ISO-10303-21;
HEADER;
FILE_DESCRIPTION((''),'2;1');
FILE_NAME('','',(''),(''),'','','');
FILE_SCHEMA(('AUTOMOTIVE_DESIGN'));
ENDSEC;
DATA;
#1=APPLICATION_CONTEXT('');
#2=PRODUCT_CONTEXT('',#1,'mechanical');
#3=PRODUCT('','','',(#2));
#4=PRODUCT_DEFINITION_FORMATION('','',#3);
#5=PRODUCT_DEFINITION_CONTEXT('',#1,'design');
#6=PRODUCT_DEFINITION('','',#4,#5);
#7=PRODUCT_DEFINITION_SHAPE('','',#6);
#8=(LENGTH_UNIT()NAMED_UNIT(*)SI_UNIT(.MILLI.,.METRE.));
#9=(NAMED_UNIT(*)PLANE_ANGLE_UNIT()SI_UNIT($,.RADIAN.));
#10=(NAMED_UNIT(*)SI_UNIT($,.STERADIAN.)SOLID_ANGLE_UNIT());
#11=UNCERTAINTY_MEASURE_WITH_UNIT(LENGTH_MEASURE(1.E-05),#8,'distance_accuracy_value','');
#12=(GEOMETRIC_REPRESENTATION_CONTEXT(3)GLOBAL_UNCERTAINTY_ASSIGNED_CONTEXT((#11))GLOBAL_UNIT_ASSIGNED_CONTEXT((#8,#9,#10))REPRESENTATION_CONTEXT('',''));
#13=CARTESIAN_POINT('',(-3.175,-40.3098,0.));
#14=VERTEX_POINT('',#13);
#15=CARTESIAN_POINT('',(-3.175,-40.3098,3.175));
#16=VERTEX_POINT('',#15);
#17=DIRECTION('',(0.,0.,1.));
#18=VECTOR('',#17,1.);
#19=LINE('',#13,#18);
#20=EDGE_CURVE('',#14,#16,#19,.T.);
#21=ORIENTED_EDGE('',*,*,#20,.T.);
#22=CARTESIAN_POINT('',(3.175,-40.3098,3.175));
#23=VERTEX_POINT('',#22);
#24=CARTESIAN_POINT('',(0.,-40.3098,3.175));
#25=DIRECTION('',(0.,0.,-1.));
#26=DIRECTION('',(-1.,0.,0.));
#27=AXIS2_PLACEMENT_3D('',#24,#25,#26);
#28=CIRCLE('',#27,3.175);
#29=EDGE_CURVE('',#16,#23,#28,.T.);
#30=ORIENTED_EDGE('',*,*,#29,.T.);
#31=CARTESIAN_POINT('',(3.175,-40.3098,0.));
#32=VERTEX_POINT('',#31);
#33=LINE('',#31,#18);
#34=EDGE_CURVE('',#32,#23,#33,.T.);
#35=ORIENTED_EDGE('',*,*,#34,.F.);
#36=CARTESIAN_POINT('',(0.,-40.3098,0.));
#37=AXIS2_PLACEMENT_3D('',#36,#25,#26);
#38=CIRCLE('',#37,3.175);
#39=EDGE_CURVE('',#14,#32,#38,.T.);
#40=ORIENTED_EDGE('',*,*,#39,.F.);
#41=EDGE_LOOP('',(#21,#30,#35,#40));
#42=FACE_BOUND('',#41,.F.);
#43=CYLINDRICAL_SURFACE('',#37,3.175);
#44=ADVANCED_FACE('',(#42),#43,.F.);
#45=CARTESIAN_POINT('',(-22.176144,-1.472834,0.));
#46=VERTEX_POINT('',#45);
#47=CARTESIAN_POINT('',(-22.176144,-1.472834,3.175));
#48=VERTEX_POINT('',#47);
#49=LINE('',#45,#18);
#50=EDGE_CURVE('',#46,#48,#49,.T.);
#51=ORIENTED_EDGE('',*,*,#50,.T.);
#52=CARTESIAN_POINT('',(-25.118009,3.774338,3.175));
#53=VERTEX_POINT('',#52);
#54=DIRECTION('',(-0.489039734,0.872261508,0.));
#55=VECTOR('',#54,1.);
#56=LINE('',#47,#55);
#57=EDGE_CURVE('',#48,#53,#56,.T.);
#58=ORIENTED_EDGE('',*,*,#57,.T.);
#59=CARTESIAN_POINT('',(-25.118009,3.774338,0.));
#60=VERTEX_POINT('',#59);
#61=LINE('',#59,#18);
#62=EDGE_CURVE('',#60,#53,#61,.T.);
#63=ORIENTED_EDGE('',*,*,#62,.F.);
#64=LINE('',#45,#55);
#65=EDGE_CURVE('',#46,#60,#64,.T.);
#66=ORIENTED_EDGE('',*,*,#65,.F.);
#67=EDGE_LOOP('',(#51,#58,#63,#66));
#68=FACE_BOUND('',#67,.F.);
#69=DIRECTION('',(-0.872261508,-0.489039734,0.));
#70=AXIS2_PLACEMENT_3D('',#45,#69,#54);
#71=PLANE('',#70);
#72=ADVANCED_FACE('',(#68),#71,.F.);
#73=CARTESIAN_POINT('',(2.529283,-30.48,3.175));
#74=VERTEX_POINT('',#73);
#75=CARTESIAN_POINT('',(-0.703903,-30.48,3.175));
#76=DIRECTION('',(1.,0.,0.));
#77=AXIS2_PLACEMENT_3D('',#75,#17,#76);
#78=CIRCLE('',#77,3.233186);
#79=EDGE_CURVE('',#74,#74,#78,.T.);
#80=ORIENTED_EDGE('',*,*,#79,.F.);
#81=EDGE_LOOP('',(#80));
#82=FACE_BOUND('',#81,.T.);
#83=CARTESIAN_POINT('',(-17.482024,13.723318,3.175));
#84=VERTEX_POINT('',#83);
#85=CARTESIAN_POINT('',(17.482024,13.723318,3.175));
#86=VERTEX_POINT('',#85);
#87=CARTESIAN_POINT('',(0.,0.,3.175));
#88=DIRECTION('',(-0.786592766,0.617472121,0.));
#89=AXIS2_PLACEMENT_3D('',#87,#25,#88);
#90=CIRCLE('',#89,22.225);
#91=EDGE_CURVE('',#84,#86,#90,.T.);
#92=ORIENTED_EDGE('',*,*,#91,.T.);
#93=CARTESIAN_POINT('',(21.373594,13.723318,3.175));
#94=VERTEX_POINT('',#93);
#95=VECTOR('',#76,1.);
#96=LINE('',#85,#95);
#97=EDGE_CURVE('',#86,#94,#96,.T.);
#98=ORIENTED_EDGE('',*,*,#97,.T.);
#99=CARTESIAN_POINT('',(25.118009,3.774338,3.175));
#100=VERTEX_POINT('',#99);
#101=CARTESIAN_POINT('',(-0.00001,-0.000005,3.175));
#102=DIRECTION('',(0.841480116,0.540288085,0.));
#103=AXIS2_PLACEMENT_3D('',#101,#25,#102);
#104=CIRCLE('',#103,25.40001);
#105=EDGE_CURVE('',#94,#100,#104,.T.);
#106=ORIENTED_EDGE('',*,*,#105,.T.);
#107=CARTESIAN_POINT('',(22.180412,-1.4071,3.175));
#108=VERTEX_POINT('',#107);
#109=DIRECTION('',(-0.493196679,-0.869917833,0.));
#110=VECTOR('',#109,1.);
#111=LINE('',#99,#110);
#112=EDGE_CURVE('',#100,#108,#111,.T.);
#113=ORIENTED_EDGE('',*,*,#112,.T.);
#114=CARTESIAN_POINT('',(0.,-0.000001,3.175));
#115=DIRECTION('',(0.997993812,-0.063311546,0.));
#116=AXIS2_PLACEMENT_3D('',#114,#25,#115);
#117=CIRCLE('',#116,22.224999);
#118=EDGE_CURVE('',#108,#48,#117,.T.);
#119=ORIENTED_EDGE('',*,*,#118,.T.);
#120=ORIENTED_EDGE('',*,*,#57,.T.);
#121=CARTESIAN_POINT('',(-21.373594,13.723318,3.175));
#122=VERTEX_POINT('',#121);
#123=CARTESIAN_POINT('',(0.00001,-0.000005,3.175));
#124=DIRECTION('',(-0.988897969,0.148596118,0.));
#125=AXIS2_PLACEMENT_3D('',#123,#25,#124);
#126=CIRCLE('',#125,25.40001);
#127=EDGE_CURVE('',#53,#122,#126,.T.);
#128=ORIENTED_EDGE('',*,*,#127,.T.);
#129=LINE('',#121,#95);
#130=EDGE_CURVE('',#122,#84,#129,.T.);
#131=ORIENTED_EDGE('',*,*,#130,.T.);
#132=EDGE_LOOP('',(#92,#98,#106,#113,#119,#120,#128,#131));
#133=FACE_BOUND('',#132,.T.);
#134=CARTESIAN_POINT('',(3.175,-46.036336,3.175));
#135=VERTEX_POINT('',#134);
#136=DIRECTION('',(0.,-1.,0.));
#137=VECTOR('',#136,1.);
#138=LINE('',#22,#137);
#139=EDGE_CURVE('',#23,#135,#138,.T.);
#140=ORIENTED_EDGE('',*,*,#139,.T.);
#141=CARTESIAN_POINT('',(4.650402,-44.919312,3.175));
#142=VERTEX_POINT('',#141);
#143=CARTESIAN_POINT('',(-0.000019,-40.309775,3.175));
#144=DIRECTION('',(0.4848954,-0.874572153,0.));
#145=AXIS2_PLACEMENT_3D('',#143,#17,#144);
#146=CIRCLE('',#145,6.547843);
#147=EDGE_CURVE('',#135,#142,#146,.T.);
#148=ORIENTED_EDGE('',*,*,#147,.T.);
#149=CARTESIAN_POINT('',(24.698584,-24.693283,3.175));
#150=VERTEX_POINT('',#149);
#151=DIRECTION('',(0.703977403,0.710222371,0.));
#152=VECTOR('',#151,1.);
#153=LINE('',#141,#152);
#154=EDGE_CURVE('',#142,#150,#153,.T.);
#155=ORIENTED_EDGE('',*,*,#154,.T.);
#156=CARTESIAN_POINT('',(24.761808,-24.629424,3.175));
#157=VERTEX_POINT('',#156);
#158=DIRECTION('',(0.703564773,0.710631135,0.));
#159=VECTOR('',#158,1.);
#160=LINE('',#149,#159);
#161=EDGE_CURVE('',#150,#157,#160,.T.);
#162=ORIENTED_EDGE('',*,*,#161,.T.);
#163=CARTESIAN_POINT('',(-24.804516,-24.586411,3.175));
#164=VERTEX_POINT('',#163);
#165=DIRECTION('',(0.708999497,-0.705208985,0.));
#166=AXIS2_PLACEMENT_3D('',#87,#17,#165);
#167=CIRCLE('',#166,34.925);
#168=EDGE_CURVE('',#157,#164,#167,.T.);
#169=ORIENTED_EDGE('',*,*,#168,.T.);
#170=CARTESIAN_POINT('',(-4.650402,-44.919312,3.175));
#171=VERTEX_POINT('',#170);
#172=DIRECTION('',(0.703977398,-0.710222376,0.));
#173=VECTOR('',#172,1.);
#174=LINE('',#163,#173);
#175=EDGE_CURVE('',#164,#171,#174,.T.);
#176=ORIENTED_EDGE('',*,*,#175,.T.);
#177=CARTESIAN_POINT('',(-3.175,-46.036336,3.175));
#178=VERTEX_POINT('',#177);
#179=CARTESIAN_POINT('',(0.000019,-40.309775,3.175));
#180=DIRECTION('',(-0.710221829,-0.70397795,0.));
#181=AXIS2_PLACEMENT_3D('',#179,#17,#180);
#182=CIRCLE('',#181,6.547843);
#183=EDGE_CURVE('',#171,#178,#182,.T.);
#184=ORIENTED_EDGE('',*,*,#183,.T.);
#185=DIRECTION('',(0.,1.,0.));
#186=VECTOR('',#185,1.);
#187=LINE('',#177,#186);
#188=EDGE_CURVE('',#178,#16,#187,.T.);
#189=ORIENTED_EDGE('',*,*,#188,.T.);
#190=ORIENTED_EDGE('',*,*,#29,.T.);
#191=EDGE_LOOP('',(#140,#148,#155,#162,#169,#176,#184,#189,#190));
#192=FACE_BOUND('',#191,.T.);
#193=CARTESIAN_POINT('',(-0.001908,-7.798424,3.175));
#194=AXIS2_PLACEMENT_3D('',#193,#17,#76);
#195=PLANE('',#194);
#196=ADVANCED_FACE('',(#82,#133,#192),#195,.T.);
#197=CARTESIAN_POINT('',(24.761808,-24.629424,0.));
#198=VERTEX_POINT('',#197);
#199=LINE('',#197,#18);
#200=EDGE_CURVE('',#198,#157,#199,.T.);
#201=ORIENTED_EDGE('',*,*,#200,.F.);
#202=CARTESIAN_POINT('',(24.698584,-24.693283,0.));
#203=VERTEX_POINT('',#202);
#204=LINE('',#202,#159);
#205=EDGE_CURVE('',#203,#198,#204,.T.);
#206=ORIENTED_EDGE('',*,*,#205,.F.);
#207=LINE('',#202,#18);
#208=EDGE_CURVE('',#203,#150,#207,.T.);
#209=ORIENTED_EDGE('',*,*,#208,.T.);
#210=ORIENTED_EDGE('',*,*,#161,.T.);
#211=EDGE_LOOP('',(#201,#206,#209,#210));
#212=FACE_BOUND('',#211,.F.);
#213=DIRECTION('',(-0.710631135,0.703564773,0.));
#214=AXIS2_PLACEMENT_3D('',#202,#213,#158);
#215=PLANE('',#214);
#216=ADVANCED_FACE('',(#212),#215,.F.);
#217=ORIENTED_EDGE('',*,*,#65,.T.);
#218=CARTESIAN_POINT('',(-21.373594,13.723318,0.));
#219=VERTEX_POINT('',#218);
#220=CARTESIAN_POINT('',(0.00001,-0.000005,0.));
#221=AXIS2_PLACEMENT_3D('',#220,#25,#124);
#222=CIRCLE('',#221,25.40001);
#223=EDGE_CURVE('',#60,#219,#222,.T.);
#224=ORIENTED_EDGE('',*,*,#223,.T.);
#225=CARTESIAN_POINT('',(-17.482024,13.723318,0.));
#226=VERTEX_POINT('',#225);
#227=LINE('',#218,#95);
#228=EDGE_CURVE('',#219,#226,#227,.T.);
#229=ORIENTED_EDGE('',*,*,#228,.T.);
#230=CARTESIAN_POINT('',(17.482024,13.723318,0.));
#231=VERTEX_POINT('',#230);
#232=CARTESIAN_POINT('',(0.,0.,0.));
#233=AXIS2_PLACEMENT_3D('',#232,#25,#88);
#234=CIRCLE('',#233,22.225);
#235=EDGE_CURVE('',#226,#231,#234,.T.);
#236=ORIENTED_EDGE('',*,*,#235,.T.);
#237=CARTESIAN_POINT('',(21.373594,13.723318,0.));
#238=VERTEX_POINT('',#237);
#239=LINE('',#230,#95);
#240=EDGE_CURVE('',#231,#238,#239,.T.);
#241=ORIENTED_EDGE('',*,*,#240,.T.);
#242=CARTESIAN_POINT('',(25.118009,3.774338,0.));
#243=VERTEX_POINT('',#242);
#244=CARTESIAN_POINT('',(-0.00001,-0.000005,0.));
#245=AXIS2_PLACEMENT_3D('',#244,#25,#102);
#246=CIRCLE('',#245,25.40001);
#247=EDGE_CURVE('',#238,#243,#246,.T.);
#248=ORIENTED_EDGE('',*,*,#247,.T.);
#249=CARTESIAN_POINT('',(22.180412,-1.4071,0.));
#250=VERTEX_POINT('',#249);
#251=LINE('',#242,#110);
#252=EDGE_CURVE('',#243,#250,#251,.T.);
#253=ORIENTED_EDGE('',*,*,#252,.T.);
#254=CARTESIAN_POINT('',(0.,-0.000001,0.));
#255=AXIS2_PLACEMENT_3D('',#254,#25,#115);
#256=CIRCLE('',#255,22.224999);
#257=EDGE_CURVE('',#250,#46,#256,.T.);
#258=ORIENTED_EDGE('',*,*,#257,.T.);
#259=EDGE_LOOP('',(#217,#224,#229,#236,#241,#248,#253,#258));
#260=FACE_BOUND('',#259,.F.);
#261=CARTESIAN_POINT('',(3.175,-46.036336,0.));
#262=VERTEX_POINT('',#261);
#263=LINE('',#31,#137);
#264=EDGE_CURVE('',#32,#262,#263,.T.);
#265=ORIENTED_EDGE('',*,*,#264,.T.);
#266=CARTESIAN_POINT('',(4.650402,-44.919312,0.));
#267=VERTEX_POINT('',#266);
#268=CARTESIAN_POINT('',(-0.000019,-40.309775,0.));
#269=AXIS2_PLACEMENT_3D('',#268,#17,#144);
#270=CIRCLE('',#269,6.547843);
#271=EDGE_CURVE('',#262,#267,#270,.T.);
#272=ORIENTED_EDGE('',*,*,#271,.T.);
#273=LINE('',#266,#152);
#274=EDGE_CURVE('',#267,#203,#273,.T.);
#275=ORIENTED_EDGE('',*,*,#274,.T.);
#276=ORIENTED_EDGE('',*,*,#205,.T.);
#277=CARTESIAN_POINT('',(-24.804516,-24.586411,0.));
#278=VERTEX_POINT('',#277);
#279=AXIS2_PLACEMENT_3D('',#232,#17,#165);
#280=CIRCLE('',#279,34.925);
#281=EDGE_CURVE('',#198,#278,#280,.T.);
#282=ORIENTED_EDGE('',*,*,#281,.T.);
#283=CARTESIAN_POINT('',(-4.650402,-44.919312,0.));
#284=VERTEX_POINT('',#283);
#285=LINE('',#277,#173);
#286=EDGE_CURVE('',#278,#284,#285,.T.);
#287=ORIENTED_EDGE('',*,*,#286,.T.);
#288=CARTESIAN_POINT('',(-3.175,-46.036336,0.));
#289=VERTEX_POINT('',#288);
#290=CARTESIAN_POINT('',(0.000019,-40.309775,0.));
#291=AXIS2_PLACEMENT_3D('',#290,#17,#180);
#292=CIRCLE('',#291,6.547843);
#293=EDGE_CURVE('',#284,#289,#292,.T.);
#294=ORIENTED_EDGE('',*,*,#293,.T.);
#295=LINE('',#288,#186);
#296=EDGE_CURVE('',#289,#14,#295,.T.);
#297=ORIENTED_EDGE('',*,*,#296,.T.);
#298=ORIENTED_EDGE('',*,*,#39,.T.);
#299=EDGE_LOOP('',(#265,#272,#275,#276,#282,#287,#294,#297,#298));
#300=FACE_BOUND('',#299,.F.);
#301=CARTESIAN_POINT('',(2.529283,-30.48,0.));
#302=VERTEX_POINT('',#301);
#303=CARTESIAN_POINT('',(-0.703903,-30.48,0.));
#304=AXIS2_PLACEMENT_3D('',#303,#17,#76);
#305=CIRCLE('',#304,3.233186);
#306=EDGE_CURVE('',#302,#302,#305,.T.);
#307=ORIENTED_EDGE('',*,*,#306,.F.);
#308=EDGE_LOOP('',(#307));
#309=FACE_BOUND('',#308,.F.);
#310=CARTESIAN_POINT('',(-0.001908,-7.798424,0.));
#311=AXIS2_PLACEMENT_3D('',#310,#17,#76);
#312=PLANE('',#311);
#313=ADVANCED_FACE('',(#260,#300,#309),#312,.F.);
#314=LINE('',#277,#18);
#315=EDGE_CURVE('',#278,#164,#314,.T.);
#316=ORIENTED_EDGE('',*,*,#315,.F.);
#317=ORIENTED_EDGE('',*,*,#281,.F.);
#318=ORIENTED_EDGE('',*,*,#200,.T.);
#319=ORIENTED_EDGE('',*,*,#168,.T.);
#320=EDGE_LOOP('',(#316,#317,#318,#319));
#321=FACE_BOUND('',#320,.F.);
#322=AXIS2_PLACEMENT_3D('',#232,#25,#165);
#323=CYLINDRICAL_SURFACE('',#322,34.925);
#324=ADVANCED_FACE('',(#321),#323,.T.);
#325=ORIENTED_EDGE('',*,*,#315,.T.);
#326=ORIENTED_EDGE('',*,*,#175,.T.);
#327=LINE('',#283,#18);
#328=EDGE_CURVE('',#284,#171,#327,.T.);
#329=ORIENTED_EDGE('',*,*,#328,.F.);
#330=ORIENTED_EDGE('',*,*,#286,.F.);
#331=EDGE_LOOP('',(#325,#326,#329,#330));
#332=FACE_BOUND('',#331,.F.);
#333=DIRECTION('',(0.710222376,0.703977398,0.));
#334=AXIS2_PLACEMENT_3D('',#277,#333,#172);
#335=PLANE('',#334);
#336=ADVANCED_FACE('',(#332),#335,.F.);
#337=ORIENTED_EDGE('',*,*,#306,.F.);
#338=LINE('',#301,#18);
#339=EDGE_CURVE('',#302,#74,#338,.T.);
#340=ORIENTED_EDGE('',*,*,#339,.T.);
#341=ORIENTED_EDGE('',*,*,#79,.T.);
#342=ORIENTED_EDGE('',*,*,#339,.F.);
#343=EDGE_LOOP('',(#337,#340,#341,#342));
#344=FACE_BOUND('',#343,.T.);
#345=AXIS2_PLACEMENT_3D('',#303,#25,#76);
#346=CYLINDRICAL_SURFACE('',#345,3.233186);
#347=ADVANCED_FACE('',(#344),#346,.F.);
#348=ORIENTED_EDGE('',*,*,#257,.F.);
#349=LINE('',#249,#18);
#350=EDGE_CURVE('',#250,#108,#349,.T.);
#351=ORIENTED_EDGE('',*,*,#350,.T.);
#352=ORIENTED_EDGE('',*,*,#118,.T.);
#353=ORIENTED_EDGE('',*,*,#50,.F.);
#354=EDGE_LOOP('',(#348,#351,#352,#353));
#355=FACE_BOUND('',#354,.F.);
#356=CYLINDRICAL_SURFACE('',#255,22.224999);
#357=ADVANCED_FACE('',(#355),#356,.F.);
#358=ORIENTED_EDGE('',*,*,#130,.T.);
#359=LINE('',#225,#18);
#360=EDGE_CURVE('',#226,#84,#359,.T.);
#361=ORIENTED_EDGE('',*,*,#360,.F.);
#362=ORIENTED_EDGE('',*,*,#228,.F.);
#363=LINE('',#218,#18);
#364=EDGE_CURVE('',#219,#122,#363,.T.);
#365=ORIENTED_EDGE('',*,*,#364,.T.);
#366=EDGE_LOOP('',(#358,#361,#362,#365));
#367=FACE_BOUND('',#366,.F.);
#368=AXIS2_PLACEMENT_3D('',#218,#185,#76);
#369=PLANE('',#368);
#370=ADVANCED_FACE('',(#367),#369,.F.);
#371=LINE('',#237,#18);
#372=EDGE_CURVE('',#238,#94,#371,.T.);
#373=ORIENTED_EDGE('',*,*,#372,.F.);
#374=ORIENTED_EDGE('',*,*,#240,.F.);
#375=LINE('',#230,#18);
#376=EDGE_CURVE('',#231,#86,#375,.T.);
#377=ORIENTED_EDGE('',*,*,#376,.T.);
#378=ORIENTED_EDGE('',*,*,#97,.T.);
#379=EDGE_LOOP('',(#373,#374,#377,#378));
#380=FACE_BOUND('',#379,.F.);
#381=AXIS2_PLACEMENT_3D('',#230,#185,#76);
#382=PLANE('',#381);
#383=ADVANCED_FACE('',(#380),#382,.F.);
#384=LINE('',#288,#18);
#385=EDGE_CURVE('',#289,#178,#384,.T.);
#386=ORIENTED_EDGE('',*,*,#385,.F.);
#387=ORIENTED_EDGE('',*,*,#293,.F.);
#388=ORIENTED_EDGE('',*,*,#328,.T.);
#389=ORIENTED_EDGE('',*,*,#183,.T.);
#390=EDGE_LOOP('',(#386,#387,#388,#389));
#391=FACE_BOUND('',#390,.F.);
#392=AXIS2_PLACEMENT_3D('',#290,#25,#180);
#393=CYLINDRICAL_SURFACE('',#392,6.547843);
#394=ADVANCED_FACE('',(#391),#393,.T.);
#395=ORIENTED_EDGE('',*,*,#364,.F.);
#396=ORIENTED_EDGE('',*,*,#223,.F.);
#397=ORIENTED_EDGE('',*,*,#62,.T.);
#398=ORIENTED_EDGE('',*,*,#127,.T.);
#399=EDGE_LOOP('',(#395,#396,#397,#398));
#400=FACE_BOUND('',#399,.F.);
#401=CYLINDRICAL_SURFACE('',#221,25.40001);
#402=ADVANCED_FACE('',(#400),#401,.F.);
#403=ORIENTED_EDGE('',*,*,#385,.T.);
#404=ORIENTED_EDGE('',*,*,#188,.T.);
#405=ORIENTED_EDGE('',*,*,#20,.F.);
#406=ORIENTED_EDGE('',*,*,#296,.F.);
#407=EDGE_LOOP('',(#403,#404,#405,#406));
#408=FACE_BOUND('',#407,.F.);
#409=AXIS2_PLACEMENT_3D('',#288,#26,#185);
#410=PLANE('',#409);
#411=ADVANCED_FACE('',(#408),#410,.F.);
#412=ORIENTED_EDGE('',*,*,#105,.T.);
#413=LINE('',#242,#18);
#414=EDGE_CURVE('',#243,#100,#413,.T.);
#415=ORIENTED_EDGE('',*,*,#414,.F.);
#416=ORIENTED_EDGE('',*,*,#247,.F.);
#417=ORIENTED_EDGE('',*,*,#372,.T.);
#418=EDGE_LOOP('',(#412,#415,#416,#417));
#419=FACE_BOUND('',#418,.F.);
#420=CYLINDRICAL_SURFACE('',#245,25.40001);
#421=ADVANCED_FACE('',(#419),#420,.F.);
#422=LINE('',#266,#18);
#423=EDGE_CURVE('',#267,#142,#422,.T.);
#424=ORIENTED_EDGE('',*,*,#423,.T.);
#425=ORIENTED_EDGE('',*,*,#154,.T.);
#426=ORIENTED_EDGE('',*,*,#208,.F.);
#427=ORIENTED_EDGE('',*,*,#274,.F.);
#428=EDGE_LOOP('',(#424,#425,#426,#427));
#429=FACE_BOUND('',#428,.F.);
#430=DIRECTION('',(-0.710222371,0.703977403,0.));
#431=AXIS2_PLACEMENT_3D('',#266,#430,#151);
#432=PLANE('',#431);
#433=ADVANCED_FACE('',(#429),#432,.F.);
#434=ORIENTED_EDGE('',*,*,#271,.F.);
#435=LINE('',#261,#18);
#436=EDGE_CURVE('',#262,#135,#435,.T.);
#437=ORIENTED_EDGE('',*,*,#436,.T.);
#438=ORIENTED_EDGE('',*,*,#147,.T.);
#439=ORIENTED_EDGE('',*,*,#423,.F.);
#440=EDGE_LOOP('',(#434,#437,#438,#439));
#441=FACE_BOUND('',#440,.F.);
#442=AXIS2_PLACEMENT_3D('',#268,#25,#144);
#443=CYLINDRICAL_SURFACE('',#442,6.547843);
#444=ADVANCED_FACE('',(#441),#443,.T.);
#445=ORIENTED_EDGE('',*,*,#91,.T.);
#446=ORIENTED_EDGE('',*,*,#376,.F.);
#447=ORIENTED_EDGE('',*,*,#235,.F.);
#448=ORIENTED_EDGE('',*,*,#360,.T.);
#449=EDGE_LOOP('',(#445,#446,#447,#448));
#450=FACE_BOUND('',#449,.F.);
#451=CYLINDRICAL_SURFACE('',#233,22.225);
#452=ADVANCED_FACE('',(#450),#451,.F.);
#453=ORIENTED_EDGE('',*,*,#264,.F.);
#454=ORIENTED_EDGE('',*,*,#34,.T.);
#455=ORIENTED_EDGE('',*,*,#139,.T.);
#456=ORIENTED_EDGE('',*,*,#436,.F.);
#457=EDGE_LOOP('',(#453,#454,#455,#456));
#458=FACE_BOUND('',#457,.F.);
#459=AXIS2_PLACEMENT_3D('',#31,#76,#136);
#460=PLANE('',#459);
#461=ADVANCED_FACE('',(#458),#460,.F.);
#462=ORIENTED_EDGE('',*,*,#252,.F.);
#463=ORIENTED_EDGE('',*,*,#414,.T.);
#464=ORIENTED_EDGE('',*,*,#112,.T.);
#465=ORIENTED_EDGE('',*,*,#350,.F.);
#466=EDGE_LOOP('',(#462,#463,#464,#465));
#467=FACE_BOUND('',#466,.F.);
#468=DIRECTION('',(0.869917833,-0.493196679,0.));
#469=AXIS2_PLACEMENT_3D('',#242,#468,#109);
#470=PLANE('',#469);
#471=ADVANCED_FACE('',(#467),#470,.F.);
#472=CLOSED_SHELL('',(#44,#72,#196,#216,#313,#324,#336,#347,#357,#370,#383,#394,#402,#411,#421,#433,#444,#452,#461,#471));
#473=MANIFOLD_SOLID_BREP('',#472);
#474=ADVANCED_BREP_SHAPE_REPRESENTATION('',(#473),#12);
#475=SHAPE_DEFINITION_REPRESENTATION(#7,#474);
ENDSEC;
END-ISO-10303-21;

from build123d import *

# Parameters (mm, degrees)
F0_R     = 3.233186
F1_DEPTH = 3.175


with BuildPart() as f1:
    # F0 (on Top) → F1 (new body)
    with BuildSketch(Plane.XY):
        with BuildLine():
            Line((24.698584, -24.693283), (24.761808, -24.629424))
            ThreePointArc((24.761808, -24.629424), (0.030307, 34.924987), (-24.804516, -24.586411))
            Line((-24.804516, -24.586411), (-4.650402, -44.919312))
            ThreePointArc((-4.650402, -44.919312), (-3.952362, -45.530209), (-3.175, -46.036336))
            Line((-3.175, -46.036336), (-3.175, -40.3098))
            ThreePointArc((-3.175, -40.3098), (0, -37.1348), (3.175, -40.3098))
            Line((3.175, -40.3098), (3.175, -46.036336))
            ThreePointArc((3.175, -46.036336), (3.952362, -45.530209), (4.650402, -44.919312))
            Line((4.650402, -44.919312), (24.698584, -24.693283))
        make_face()
        with Locations((-0.703903, -30.48)):
            Circle(F0_R, mode=Mode.SUBTRACT)
        with BuildLine():
            ThreePointArc((22.180412, -1.4071), (0.032937, -22.224976), (-22.176144, -1.472834))
            Line((-22.176144, -1.472834), (-25.118009, 3.774338))
            ThreePointArc((-25.118009, 3.774338), (-23.772102, 8.946907), (-21.373594, 13.723318))
            Line((-21.373594, 13.723318), (-17.482024, 13.723318))
            ThreePointArc((-17.482024, 13.723318), (0, 22.225), (17.482024, 13.723318))
            Line((17.482024, 13.723318), (21.373594, 13.723318))
            ThreePointArc((21.373594, 13.723318), (23.772102, 8.946907), (25.118009, 3.774338))
            Line((25.118009, 3.774338), (22.180412, -1.4071))
        make_face(mode=Mode.SUBTRACT)
    extrude(amount=F1_DEPTH)


solid = f1.part
